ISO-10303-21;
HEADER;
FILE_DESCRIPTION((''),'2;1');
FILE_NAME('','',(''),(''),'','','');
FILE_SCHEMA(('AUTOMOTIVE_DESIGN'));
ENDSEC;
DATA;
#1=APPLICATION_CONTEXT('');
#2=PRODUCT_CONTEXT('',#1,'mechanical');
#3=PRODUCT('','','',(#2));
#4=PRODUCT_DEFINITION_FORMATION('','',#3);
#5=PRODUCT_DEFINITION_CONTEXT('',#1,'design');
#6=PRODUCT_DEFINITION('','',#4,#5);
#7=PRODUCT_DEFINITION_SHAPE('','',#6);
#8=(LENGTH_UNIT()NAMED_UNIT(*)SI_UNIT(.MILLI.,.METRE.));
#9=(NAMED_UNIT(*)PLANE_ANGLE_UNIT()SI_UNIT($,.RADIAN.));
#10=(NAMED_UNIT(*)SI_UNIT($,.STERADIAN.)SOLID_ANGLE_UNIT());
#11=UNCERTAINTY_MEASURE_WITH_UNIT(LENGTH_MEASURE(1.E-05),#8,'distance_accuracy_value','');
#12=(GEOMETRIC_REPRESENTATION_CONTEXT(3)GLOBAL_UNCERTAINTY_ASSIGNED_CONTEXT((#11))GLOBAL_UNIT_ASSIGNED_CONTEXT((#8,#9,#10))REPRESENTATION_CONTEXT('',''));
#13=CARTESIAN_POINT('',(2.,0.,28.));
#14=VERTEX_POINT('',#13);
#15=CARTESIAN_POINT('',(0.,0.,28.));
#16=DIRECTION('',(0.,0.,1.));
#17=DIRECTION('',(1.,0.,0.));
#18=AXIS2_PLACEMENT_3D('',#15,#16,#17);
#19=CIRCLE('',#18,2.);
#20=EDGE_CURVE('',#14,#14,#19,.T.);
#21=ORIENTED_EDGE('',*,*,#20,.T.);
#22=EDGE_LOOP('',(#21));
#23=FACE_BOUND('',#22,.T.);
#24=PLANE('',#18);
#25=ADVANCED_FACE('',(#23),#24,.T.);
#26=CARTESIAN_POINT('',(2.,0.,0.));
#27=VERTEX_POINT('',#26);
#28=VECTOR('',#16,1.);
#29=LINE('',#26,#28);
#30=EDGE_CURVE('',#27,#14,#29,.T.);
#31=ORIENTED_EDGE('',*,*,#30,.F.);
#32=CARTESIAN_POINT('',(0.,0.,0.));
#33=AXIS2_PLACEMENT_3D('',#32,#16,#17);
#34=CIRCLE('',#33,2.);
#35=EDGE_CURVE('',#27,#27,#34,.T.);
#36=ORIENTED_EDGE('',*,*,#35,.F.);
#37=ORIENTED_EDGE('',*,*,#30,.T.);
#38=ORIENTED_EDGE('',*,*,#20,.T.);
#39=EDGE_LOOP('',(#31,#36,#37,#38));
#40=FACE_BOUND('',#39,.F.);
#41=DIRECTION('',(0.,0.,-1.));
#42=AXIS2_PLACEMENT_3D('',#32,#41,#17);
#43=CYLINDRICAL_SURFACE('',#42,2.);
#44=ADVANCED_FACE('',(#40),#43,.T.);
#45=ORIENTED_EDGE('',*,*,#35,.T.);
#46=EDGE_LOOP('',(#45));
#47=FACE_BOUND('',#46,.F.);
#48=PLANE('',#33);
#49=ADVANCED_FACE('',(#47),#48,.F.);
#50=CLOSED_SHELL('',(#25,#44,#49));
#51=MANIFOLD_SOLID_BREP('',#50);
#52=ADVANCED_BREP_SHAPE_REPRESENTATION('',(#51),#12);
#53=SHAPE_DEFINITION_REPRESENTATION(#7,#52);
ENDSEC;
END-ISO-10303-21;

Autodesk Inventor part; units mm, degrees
ref_plane "YZ Plane" through (0, 0, 0) normal (1, 0, 0) x (0, 1, 0)
ref_plane "XZ Plane" through (0, 0, 0) normal (0, 1, 0) x (-1, 0, 0)
ref_plane "XY Plane" through (0, 0, 0) normal (0, 0, 1) x (1, 0, 0)
sketch "スケッチ1" plane through (0, 0, 0) normal (0, 0, 1) x (1, 0, 0)
  circle A0 centre (0, 0) radius 2
  dimension "d0" = 4
extrude "押し出し1" add sketch "スケッチ1" along normal blind 28
properties part number "シャフト4"
